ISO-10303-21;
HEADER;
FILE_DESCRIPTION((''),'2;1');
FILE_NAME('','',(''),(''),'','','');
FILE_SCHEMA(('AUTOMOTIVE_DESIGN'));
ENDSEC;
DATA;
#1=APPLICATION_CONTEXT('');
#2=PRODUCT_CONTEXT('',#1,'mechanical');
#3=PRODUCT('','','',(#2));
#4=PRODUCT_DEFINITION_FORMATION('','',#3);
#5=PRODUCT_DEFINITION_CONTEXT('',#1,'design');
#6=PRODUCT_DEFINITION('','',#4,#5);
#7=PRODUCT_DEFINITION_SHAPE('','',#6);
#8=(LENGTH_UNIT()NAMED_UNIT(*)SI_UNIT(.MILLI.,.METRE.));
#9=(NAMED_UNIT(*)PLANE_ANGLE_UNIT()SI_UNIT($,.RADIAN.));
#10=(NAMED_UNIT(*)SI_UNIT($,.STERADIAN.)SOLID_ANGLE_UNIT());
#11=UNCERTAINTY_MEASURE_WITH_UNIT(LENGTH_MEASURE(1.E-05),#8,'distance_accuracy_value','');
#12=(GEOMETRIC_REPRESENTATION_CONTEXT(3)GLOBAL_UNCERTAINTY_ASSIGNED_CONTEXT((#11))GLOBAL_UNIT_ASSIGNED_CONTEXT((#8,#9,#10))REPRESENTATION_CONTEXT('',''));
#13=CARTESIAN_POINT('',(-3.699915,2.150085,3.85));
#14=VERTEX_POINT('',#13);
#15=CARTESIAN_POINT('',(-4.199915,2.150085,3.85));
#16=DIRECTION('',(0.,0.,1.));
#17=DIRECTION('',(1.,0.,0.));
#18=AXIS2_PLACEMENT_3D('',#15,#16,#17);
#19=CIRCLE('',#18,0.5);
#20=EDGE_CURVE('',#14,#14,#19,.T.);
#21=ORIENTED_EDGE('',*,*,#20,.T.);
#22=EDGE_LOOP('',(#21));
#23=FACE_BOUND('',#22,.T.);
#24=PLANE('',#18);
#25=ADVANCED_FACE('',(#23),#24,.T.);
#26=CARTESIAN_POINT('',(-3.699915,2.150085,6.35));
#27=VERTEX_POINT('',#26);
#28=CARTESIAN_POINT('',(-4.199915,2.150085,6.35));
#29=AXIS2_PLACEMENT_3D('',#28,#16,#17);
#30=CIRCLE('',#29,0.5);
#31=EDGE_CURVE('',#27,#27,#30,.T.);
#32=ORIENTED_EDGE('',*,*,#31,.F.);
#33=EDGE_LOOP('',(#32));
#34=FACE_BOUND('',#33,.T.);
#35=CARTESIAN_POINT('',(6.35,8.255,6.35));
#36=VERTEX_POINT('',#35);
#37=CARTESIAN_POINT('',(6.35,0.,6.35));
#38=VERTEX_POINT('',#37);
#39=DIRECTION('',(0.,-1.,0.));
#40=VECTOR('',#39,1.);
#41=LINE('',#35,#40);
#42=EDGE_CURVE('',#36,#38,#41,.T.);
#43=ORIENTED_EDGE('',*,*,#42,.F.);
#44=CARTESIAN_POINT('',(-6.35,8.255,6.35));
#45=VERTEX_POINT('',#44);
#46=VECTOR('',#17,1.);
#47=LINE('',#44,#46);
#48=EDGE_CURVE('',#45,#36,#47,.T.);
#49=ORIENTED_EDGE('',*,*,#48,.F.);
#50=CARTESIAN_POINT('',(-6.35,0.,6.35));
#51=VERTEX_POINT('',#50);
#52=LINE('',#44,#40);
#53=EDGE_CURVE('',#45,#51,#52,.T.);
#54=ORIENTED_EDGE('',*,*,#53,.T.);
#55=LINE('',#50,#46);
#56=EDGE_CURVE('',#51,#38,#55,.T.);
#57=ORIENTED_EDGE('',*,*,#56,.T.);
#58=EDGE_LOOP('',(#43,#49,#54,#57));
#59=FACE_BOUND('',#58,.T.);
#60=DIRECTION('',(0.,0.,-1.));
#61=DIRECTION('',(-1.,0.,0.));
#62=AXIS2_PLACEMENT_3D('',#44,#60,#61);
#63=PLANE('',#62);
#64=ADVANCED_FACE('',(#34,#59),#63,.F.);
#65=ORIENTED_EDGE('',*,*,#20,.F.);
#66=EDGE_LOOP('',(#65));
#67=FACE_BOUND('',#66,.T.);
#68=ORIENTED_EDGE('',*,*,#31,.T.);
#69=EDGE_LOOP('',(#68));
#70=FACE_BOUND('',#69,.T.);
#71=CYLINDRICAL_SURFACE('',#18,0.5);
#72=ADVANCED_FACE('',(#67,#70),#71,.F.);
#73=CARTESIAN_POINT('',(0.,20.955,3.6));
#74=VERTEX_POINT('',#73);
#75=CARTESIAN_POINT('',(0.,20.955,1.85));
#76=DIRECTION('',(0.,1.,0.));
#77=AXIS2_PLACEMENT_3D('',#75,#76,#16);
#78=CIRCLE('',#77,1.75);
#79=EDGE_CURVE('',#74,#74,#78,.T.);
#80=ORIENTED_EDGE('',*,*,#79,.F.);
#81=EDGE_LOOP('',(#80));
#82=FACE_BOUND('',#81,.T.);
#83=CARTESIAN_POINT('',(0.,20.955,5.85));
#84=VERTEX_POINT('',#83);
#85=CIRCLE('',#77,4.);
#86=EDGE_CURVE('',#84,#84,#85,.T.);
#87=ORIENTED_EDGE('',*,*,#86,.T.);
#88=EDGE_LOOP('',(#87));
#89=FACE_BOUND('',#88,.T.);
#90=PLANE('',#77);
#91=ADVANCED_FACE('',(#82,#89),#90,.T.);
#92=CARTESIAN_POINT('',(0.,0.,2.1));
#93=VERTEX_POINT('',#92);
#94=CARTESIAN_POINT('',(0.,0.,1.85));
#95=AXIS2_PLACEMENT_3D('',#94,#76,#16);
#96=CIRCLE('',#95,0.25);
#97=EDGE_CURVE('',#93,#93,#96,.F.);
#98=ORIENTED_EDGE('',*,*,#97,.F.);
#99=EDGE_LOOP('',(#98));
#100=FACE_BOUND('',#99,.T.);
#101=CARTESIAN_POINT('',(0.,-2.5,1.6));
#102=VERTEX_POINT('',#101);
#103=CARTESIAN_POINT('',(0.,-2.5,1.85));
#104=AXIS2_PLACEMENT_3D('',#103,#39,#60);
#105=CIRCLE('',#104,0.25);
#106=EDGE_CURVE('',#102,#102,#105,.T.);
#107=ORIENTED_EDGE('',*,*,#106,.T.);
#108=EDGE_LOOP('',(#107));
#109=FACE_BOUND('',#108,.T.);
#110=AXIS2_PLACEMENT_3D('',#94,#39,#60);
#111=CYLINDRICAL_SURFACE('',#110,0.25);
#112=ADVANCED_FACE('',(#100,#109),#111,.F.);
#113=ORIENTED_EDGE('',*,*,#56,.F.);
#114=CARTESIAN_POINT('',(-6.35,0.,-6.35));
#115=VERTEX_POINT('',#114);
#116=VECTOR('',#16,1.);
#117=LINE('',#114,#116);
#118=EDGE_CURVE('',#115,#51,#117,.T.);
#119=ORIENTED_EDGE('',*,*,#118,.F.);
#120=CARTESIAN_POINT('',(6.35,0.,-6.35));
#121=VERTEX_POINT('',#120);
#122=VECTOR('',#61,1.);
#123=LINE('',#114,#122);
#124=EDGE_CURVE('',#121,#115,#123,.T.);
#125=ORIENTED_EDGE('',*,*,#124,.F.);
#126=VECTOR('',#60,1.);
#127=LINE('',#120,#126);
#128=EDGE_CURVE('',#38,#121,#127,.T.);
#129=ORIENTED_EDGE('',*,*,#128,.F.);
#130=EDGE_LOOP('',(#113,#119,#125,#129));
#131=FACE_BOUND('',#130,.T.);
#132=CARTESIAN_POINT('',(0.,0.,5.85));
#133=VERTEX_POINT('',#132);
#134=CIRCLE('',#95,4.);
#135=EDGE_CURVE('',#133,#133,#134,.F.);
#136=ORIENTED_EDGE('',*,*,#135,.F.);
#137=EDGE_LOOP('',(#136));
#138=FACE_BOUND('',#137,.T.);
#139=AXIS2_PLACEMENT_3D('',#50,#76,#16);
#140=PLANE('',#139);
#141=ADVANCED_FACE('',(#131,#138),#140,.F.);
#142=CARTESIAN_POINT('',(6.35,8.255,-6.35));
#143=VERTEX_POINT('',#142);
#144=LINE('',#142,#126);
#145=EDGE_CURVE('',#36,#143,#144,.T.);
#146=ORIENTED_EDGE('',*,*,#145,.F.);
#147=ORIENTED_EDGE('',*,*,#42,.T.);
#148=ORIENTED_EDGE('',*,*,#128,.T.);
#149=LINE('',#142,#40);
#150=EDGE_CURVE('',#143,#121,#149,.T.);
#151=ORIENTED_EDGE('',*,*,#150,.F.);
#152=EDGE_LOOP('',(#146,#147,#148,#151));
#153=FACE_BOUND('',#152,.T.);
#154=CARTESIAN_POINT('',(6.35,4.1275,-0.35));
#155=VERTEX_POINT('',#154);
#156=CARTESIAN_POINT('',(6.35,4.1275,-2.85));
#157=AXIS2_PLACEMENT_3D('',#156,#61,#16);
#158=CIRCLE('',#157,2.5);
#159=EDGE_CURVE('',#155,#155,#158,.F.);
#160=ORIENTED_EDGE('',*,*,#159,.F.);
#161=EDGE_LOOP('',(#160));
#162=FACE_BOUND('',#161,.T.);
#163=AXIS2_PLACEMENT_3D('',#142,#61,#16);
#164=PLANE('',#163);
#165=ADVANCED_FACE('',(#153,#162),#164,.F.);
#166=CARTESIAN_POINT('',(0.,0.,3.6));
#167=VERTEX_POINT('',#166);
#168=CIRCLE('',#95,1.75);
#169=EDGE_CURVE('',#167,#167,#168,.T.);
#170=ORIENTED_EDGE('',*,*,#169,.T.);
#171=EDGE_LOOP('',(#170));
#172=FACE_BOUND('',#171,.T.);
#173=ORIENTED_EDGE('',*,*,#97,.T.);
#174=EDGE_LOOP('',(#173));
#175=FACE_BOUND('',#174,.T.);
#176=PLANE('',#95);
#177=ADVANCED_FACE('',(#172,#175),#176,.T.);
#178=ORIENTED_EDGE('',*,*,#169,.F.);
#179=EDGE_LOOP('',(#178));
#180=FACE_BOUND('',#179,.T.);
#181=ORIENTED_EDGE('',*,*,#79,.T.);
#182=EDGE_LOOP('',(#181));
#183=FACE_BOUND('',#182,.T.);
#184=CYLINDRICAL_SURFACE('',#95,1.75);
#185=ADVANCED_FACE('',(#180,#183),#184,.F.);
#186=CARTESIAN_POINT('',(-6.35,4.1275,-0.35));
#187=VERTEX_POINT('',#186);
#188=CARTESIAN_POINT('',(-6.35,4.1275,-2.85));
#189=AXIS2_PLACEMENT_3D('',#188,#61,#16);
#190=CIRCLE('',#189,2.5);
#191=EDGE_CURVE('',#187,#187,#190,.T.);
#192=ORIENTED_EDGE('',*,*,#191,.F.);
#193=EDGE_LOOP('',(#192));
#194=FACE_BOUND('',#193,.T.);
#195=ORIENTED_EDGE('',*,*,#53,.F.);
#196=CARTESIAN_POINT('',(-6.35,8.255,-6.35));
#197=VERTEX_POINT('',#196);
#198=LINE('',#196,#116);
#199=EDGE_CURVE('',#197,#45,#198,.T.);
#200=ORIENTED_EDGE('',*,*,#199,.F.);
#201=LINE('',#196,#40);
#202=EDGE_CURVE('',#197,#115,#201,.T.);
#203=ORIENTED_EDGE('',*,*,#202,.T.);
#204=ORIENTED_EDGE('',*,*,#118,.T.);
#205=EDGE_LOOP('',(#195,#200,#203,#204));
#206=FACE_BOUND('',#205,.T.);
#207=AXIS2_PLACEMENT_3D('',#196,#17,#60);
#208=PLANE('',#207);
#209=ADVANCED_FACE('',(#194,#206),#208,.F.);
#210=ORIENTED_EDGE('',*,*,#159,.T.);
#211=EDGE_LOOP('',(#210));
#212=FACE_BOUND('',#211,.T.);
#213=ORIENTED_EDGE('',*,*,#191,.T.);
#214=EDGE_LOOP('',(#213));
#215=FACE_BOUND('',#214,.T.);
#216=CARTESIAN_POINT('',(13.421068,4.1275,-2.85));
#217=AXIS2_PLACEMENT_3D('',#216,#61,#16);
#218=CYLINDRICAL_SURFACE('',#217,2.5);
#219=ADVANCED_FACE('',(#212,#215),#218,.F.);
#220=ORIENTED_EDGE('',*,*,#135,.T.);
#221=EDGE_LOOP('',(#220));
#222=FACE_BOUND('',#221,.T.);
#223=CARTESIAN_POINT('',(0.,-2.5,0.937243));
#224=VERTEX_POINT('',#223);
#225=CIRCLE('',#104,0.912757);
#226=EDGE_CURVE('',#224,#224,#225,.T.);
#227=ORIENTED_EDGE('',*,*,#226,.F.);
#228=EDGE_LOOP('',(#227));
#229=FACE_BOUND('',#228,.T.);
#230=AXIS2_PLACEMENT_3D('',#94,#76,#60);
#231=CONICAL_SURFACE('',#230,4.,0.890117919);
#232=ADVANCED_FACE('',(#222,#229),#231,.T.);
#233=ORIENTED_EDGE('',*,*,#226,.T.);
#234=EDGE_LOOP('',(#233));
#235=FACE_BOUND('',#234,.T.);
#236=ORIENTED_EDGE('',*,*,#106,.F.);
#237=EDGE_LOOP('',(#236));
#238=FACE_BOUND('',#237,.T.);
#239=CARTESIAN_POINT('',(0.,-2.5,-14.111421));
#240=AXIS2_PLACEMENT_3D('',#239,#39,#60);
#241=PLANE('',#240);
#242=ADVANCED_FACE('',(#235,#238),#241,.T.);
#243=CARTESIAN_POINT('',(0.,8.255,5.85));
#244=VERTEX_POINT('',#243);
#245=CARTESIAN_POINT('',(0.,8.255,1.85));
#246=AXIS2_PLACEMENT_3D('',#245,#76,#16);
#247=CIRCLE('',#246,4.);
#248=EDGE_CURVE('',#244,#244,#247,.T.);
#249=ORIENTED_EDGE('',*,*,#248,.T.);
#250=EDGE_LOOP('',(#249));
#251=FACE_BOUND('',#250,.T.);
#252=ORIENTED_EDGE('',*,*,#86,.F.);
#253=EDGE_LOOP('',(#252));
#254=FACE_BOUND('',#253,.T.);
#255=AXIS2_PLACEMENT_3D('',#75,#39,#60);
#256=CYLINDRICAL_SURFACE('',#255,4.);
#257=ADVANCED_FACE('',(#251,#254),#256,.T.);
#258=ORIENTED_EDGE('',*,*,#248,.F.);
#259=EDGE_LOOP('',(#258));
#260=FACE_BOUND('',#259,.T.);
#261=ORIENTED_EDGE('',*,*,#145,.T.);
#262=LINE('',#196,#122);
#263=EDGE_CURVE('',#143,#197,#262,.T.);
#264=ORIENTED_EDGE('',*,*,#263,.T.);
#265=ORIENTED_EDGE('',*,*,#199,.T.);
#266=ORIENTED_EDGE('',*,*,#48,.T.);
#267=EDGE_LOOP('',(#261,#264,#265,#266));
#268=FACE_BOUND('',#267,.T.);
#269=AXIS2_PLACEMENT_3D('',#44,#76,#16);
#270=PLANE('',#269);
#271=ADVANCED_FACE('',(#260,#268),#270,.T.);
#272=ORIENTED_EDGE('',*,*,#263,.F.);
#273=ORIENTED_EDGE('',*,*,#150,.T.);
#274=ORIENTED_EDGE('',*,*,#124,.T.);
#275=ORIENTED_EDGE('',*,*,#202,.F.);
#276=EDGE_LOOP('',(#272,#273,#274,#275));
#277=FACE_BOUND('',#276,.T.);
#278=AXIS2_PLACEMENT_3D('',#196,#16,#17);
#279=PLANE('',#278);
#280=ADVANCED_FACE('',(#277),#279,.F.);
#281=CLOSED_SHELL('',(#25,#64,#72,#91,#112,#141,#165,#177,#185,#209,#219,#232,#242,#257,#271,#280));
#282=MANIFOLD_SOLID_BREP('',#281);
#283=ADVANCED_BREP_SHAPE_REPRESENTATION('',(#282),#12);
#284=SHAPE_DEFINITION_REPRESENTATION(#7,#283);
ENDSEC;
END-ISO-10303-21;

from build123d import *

# Parameters (mm, degrees)
SKETCH1_W       = 12.7
SKETCH1_H       = 12.7
EXTRUDE1_DEPTH  = 8.255
SKETCH2_R       = 4
EXTRUDE2_DEPTH  = 12.7
SKETCH4_R       = 4
EXTRUDE8_DEPTH  = 2.5
EXTRUDE8_TAPER  = 51
SKETCH5_R       = 0.25
EXTRUDE9_DEPTH  = 2.5
SKETCH3_R       = 1.75
EXTRUDE10_DEPTH = 20.955
SKETCH7_R       = 2.5
EXTRUDE11_DEPTH = 12.7
SKETCH8_R       = 0.5
EXTRUDE12_DEPTH = 2.5


with BuildPart() as part:
    # Sketch1 → Extrude1 (new body)
    with BuildSketch(Plane(origin=(0, 0, 0), x_dir=(1, 0, 0), z_dir=(0, 1, 0))):
        Rectangle(SKETCH1_W, SKETCH1_H)
    extrude(amount=EXTRUDE1_DEPTH)

    # Sketch2 → Extrude2 (add)
    with BuildSketch(Plane(origin=(0, 8.255, 0), x_dir=(1, 0, 0), z_dir=(0, 1, 0))):
        with Locations((0, -1.85)):
            Circle(SKETCH2_R)
    extrude(amount=EXTRUDE2_DEPTH)

    # Sketch4 → Extrude8 (add)
    with BuildSketch(Plane.XZ):
        with Locations((0, 1.85)):
            Circle(SKETCH4_R)
    extrude(amount=EXTRUDE8_DEPTH, taper=EXTRUDE8_TAPER)

    # Sketch5 → Extrude9 (cut)
    with BuildSketch(Plane.XZ.offset(2.5)):
        with Locations((0, 1.85)):
            Circle(SKETCH5_R)
    extrude(amount=-EXTRUDE9_DEPTH, mode=Mode.SUBTRACT)

    # Sketch3 → Extrude10 (cut)
    with BuildSketch(Plane(origin=(0, 20.955, 0), x_dir=(-1, 0, 0), z_dir=(0, 1, 0))):
        with Locations((0, 1.85)):
            Circle(SKETCH3_R)
    extrude(amount=-EXTRUDE10_DEPTH, mode=Mode.SUBTRACT)

    # Sketch7 → Extrude11 (cut)
    with BuildSketch(Plane.ZY.offset(6.35)):
        with Locations((-2.85, 4.1275)):
            Circle(SKETCH7_R)
    extrude(amount=-EXTRUDE11_DEPTH, mode=Mode.SUBTRACT)

    # Sketch8 → Extrude12 (cut)
    with BuildSketch(Plane.XY.offset(6.35)):
        with Locations((-4.199914645, 2.150085355)):
            Circle(SKETCH8_R)
    extrude(amount=-EXTRUDE12_DEPTH, mode=Mode.SUBTRACT)


solid = part.part
